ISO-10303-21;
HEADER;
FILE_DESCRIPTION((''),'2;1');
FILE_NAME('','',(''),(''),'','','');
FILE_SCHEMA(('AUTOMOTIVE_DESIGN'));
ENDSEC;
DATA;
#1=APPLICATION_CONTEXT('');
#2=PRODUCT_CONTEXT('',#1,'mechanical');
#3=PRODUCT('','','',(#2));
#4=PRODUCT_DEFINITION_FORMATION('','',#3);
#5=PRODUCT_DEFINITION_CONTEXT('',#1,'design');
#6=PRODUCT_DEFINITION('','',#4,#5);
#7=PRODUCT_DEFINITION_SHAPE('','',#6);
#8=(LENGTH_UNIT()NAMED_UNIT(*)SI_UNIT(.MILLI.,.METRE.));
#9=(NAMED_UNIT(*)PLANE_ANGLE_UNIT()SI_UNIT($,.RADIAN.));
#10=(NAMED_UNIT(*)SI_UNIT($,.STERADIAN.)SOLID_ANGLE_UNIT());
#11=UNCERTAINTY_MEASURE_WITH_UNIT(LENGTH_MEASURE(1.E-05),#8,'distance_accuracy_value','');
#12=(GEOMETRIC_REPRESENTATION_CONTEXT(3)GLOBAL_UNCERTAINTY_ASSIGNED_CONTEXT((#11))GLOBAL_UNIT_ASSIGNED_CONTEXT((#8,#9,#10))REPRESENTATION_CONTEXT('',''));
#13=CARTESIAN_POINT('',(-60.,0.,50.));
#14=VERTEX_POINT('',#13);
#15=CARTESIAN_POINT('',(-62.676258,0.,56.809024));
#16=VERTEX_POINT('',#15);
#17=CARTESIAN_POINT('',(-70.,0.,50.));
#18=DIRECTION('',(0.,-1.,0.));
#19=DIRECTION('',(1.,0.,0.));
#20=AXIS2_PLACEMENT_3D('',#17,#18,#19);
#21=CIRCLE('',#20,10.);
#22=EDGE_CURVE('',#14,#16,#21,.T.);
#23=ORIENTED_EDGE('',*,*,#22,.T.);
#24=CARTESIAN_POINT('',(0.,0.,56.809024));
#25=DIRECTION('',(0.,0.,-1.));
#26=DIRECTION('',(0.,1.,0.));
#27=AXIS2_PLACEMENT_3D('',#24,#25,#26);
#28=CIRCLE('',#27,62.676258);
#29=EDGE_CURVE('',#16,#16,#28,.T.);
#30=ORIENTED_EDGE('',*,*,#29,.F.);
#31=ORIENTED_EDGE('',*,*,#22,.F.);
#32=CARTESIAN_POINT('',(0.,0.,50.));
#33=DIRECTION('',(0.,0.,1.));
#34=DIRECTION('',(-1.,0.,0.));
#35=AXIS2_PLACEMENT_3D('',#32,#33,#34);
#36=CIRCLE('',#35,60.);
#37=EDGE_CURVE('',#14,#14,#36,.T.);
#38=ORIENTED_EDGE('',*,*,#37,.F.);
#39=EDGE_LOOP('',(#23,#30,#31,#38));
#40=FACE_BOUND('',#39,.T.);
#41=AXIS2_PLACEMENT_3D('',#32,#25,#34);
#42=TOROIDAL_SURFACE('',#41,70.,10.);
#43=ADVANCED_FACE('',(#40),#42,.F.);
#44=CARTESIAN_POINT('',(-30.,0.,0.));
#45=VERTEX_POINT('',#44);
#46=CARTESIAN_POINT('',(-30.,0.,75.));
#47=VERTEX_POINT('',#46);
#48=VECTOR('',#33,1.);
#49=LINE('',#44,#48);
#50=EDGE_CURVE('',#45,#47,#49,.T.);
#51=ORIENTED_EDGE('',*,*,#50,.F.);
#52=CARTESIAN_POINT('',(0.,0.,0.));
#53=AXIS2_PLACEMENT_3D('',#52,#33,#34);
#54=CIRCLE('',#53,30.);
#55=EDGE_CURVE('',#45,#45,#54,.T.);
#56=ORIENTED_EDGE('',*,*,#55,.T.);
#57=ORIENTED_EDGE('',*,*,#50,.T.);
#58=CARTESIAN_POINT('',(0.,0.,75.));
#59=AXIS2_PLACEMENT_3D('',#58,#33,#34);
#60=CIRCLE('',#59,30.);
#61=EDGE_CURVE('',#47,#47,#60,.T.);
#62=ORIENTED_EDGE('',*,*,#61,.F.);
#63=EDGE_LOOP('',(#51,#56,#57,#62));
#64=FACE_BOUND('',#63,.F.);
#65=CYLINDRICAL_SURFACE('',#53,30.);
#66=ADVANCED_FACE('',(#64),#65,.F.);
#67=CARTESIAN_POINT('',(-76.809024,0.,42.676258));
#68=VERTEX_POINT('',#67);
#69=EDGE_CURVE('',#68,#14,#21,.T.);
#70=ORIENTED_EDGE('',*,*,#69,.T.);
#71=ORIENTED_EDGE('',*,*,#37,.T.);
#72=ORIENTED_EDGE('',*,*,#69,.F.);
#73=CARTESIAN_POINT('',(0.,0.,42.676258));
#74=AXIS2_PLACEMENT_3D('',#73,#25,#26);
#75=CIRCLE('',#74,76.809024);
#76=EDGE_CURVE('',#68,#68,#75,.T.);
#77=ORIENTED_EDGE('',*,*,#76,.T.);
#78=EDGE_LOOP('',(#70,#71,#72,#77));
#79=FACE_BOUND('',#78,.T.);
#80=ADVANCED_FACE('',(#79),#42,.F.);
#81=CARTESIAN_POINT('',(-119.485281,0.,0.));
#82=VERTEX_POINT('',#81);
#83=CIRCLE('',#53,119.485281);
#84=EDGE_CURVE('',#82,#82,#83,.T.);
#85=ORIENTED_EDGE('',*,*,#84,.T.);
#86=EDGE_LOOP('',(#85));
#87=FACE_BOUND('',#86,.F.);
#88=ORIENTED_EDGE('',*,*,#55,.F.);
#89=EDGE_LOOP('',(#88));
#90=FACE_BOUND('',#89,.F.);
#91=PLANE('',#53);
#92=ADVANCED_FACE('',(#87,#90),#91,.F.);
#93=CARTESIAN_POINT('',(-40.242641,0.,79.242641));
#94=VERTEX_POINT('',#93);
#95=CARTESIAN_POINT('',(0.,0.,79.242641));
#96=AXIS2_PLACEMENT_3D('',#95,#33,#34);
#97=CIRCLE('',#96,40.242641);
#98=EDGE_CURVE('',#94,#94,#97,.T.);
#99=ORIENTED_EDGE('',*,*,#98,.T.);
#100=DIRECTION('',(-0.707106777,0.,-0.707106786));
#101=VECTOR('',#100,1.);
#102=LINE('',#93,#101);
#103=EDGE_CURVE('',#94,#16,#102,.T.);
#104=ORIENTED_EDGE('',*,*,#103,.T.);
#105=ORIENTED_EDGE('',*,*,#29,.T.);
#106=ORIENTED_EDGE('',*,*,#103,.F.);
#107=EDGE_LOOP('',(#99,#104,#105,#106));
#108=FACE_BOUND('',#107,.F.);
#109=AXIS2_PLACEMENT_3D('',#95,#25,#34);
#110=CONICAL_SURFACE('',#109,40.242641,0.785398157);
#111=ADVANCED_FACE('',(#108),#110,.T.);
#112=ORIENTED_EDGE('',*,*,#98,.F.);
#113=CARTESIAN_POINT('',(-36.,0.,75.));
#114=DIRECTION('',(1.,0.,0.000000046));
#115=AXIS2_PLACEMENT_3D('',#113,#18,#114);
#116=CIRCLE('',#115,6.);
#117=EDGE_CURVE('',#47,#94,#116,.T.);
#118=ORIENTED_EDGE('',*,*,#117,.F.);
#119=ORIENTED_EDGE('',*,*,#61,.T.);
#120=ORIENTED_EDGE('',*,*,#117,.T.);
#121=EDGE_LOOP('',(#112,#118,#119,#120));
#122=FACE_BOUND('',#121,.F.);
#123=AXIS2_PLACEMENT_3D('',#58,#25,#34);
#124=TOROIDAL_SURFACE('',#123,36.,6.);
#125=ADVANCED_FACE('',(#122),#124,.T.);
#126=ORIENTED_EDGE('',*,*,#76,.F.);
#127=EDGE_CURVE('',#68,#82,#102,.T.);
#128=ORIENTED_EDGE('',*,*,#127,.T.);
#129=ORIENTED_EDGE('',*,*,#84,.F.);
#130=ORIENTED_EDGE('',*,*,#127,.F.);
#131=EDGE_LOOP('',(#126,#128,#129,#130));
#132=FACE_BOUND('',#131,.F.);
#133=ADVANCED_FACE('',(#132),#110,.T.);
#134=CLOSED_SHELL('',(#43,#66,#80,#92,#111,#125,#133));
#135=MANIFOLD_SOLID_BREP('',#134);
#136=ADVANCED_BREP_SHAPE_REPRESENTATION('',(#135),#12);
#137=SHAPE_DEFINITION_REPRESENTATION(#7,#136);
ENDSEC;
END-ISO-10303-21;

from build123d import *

# Parameters (mm, degrees)
F2_R = 10


with BuildPart() as f1:
    # F0 (on Front) → F1 (revolve)
    with BuildSketch(Plane.XZ):
        with BuildLine():
            Line((-119.485281, 0), (-30, 0))
            Line((-30, 0), (-30, 75))
            ThreePointArc((-30, 75), (-33.703899, 80.543277), (-40.242641, 79.242641))
            Line((-40.242641, 79.242641), (-119.485281, 0))
        make_face()
    revolve(axis=Axis((0, 0, 51.326731), (0, 0, 1)))

    # F2 (on Front) → F3 (revolve, cut)
    with BuildSketch(Plane.XZ):
        with Locations((-70, 50)):
            Circle(F2_R)
    revolve(axis=Axis((0, 0, 60.464166), (0, 0, 1)), mode=Mode.SUBTRACT)


solid = f1.part
